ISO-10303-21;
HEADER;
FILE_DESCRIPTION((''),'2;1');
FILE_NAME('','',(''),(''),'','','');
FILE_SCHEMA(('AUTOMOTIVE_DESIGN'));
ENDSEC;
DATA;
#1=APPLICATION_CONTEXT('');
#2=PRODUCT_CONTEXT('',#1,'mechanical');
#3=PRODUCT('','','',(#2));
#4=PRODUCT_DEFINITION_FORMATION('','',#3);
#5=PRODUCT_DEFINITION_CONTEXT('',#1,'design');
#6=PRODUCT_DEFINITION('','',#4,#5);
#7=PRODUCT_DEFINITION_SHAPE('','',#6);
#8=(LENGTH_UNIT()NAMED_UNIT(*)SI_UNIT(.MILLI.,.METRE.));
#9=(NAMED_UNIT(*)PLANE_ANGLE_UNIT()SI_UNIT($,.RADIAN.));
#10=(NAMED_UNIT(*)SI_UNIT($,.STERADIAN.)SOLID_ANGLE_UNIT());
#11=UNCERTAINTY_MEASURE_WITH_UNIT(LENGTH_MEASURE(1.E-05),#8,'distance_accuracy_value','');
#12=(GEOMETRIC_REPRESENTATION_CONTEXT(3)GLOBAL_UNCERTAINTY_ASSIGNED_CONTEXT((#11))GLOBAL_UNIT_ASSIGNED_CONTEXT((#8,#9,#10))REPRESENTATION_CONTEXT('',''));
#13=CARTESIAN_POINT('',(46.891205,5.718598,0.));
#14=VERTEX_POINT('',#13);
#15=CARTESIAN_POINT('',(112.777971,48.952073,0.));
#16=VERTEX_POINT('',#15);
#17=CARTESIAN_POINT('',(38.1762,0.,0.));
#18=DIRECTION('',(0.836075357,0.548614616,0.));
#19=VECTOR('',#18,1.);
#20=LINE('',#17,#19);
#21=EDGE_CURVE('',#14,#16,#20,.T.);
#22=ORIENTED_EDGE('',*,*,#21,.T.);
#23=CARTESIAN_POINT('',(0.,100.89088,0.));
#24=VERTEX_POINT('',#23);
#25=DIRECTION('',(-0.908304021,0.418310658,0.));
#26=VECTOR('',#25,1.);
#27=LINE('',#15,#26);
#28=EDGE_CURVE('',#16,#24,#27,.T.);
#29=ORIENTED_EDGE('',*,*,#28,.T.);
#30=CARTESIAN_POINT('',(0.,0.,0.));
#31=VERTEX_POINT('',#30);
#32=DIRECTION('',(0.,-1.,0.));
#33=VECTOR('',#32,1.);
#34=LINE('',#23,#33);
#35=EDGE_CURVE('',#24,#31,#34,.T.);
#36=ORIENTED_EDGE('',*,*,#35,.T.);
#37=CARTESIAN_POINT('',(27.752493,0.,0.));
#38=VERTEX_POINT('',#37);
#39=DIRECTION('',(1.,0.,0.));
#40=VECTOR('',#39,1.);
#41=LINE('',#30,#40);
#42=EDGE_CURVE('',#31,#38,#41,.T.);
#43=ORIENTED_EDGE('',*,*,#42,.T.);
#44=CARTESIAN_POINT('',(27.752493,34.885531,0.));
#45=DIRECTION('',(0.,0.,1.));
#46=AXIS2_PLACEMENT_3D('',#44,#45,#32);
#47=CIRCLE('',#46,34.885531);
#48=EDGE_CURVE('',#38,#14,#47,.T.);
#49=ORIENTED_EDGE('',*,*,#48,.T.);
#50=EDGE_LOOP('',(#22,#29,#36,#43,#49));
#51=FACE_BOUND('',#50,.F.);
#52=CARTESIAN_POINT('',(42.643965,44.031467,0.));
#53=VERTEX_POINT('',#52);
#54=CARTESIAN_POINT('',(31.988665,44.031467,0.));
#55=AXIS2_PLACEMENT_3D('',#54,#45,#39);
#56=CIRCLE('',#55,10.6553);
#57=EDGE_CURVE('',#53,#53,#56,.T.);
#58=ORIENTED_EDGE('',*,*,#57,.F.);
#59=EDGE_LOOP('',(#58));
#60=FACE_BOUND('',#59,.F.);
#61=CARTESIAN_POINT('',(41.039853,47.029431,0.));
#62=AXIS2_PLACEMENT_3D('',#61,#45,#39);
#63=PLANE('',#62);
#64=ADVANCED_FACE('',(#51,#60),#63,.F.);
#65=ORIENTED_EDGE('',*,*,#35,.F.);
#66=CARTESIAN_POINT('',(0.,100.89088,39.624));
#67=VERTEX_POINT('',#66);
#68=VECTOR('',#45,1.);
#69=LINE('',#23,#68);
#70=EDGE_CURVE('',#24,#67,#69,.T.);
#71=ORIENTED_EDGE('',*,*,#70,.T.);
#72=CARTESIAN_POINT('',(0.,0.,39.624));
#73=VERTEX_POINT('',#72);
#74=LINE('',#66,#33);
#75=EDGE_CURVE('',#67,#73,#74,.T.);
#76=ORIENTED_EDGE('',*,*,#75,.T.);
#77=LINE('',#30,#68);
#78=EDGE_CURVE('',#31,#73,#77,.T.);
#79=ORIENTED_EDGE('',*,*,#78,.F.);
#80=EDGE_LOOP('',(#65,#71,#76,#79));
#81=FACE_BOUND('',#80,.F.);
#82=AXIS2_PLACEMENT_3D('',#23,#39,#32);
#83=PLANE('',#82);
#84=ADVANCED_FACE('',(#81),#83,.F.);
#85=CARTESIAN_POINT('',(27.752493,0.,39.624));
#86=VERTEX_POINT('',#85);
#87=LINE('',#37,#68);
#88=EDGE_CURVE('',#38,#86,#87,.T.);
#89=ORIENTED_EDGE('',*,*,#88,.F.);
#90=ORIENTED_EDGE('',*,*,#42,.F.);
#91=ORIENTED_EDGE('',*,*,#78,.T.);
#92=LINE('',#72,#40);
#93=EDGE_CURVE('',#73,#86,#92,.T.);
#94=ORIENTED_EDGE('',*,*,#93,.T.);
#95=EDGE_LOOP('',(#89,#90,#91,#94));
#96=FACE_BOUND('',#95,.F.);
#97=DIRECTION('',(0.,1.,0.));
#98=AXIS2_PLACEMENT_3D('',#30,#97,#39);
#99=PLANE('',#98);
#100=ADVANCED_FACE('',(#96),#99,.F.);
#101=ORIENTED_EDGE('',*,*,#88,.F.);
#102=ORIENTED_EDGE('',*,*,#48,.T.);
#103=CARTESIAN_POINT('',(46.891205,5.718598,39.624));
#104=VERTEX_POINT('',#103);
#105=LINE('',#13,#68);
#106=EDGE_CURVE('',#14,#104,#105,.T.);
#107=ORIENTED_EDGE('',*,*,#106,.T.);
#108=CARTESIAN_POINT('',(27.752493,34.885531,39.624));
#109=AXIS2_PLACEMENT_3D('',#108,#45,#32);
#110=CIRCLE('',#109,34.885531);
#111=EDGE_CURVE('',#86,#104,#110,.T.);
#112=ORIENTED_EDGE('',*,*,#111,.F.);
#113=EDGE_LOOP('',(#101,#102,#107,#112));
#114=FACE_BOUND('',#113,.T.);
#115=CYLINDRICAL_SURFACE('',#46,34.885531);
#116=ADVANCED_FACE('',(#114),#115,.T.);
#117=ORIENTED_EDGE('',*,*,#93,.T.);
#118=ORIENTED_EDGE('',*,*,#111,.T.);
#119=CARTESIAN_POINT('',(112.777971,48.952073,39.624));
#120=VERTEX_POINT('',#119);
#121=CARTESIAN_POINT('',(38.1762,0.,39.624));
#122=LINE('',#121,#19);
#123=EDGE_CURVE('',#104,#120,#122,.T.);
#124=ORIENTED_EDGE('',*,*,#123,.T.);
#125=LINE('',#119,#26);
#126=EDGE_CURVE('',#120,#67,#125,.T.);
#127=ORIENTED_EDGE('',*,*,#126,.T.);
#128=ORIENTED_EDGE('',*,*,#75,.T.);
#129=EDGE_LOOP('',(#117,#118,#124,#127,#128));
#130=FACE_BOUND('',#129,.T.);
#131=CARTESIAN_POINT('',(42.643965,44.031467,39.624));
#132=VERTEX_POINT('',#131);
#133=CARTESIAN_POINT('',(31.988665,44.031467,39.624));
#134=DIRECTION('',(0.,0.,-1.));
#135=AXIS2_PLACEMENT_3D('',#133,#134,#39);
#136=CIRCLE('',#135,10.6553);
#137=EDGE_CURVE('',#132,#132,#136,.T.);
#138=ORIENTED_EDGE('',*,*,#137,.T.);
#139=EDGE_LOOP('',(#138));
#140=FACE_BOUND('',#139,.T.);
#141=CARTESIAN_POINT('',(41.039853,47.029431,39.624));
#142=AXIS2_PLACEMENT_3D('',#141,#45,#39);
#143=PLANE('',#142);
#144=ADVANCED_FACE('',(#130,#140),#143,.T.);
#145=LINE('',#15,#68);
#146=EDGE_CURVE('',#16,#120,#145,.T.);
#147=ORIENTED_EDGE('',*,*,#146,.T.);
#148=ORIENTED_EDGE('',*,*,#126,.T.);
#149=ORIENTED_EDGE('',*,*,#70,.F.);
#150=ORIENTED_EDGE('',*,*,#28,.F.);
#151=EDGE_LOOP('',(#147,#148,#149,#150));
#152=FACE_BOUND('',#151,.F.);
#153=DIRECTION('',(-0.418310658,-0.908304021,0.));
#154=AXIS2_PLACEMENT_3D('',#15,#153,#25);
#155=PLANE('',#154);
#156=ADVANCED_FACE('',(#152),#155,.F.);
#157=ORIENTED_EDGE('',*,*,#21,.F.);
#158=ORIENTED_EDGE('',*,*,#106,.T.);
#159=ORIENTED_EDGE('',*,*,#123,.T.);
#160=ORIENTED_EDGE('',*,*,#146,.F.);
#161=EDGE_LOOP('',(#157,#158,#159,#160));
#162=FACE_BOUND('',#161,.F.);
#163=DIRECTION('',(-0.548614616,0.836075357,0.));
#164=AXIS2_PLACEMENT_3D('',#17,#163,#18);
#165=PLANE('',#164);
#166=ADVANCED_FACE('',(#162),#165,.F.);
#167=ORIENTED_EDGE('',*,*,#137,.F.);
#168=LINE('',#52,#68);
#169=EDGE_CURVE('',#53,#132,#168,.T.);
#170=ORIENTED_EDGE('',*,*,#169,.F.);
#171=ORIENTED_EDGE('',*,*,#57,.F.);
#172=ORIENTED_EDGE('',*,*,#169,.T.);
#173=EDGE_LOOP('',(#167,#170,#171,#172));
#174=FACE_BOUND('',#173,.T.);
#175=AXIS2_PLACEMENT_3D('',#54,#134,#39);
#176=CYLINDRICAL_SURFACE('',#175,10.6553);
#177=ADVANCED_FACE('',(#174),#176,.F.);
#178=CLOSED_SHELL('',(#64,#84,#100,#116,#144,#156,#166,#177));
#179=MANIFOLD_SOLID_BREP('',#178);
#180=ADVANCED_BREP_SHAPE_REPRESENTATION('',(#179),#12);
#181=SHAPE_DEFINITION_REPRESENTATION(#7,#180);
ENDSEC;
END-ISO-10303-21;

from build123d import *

# Parameters (mm, degrees)
F1_DEPTH = 39.624
F2_R     = 34.885531
F3_R     = 10.6553
F4_DEPTH = 91.186


with BuildPart() as f1:
    # F0 (on Top) → F1 (new body)
    with BuildSketch(Plane.XY):
        Polygon((0, 100.89088), (0, 0), (38.1762, 0), (112.777971, 48.952073), align=None)
    extrude(amount=F1_DEPTH)

    # F2
    f2_edges = [f1.edges().sort_by_distance(p)[0] for p in [
        (38.1762, 0, 19.812),
    ]]
    fillet(f2_edges, radius=F2_R)

    # F3 (on Top) → F4 (cut)
    with BuildSketch(Plane.XY):
        with Locations((31.988665, 44.031467)):
            Circle(F3_R)
    extrude(amount=F4_DEPTH, mode=Mode.SUBTRACT)


solid = f1.part
